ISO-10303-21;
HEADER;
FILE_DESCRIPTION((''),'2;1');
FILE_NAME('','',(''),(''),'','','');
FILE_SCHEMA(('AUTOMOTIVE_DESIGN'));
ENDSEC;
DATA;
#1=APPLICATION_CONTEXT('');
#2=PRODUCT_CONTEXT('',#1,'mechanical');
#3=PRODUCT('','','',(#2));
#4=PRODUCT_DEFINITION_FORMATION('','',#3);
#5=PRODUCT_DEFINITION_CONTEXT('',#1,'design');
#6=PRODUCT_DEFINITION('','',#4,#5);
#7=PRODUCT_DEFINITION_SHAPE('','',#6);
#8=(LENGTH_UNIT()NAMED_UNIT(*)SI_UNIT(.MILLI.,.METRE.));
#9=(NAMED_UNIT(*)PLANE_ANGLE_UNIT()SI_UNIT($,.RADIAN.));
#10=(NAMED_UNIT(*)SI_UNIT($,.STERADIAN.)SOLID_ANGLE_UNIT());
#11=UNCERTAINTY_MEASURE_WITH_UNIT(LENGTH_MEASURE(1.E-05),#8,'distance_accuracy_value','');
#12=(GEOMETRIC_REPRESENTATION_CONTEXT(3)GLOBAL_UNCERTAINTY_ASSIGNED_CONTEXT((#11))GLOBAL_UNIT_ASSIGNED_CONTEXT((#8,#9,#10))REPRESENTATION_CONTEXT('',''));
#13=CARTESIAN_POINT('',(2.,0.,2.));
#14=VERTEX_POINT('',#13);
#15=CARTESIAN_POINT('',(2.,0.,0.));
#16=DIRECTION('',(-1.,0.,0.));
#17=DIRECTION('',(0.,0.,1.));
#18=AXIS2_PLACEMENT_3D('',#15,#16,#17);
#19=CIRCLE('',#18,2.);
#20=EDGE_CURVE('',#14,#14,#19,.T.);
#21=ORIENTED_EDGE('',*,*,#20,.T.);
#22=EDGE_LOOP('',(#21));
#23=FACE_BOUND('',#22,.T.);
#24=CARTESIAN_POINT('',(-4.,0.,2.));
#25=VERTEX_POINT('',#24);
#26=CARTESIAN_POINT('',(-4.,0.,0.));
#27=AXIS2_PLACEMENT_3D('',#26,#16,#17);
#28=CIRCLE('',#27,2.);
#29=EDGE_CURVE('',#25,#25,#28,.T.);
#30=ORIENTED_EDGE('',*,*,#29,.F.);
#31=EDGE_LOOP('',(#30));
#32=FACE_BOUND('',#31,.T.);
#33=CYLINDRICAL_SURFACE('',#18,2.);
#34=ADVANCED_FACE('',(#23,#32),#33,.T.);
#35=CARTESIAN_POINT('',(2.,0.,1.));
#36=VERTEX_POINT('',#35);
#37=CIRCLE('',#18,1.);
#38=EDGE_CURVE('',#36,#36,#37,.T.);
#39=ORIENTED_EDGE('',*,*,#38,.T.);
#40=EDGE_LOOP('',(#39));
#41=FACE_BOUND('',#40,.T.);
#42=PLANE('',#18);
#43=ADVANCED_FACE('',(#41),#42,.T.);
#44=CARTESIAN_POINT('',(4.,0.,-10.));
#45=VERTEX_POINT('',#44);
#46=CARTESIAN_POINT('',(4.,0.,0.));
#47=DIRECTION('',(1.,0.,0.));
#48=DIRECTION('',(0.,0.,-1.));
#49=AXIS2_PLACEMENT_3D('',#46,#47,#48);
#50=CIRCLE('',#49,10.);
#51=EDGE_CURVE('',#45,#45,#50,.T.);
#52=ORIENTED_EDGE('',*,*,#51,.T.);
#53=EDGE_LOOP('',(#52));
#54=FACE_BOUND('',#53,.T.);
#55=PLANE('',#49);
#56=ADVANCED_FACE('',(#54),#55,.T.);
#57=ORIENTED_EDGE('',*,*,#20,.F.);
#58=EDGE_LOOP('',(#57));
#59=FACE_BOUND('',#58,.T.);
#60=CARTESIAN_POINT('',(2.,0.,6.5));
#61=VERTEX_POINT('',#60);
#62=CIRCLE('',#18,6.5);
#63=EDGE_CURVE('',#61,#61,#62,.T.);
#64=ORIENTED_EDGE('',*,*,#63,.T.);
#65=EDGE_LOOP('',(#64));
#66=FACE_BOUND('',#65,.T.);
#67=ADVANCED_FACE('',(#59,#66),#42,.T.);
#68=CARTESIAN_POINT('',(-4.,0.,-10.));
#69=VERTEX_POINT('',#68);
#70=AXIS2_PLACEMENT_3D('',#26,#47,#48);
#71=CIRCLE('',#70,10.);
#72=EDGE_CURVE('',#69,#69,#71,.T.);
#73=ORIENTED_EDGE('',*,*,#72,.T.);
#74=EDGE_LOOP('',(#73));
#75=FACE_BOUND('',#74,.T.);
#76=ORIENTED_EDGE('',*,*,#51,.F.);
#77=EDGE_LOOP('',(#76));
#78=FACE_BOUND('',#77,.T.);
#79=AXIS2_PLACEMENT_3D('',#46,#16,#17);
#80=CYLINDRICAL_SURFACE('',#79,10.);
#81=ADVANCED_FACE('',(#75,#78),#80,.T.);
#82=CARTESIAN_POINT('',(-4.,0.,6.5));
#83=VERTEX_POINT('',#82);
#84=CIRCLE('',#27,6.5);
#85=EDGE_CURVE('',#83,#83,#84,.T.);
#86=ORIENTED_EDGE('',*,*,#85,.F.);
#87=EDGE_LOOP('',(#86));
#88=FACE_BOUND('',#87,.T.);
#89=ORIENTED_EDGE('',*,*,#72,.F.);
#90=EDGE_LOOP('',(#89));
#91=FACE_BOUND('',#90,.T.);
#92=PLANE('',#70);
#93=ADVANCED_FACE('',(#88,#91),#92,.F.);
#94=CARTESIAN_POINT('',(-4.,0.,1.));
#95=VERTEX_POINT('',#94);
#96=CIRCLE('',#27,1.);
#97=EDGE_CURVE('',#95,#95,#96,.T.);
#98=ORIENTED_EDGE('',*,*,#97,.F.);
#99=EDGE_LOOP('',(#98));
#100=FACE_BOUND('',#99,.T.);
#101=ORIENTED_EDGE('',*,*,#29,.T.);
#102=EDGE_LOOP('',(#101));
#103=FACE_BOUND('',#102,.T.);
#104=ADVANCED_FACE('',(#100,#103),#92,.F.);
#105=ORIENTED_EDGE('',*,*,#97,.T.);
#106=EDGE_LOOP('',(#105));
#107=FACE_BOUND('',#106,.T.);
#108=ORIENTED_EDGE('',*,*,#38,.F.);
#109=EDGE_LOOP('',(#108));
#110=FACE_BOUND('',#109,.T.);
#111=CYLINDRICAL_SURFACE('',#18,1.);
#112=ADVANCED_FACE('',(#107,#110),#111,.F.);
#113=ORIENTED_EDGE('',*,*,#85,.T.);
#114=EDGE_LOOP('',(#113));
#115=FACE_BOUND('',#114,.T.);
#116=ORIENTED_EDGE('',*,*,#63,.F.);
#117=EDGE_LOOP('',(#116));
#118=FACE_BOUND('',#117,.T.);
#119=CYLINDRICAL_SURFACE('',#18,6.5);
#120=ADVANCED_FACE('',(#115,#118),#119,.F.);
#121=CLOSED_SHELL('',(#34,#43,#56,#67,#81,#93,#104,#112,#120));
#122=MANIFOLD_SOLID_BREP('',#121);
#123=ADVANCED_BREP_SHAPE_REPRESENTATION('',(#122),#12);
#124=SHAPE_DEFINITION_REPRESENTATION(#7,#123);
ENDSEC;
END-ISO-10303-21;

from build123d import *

# Parameters (mm, degrees)
SKETCH_1_R          = 10
EXTRUDE_1_DEPTH     = 4
SKETCH_2_R          = 6.5
SKETCH_2_R_2        = 2
SKETCH_2_R_3        = 1
CUT_EXTRUDE_1_DEPTH = 6


with BuildPart() as part:
    # 草图1 → 凸台-拉伸1 (new, symmetric)
    with BuildSketch(Plane(origin=(0, 0, 0), x_dir=(0, 0, -1), z_dir=(1, 0, 0))):
        Circle(SKETCH_1_R)
    extrude(amount=EXTRUDE_1_DEPTH, both=True)

    # 草图2 → 切除-拉伸1 (cut)
    # profile 1 of 2: a face of its own
    with BuildSketch(Plane.ZY.offset(4)):
        Circle(SKETCH_2_R)
        Circle(SKETCH_2_R_2, mode=Mode.SUBTRACT)
    # profile 2 of 2: a face of its own
    with BuildSketch(Plane.ZY.offset(4)):
        Circle(SKETCH_2_R_3)
    extrude(amount=-CUT_EXTRUDE_1_DEPTH, mode=Mode.SUBTRACT)


solid = part.part
